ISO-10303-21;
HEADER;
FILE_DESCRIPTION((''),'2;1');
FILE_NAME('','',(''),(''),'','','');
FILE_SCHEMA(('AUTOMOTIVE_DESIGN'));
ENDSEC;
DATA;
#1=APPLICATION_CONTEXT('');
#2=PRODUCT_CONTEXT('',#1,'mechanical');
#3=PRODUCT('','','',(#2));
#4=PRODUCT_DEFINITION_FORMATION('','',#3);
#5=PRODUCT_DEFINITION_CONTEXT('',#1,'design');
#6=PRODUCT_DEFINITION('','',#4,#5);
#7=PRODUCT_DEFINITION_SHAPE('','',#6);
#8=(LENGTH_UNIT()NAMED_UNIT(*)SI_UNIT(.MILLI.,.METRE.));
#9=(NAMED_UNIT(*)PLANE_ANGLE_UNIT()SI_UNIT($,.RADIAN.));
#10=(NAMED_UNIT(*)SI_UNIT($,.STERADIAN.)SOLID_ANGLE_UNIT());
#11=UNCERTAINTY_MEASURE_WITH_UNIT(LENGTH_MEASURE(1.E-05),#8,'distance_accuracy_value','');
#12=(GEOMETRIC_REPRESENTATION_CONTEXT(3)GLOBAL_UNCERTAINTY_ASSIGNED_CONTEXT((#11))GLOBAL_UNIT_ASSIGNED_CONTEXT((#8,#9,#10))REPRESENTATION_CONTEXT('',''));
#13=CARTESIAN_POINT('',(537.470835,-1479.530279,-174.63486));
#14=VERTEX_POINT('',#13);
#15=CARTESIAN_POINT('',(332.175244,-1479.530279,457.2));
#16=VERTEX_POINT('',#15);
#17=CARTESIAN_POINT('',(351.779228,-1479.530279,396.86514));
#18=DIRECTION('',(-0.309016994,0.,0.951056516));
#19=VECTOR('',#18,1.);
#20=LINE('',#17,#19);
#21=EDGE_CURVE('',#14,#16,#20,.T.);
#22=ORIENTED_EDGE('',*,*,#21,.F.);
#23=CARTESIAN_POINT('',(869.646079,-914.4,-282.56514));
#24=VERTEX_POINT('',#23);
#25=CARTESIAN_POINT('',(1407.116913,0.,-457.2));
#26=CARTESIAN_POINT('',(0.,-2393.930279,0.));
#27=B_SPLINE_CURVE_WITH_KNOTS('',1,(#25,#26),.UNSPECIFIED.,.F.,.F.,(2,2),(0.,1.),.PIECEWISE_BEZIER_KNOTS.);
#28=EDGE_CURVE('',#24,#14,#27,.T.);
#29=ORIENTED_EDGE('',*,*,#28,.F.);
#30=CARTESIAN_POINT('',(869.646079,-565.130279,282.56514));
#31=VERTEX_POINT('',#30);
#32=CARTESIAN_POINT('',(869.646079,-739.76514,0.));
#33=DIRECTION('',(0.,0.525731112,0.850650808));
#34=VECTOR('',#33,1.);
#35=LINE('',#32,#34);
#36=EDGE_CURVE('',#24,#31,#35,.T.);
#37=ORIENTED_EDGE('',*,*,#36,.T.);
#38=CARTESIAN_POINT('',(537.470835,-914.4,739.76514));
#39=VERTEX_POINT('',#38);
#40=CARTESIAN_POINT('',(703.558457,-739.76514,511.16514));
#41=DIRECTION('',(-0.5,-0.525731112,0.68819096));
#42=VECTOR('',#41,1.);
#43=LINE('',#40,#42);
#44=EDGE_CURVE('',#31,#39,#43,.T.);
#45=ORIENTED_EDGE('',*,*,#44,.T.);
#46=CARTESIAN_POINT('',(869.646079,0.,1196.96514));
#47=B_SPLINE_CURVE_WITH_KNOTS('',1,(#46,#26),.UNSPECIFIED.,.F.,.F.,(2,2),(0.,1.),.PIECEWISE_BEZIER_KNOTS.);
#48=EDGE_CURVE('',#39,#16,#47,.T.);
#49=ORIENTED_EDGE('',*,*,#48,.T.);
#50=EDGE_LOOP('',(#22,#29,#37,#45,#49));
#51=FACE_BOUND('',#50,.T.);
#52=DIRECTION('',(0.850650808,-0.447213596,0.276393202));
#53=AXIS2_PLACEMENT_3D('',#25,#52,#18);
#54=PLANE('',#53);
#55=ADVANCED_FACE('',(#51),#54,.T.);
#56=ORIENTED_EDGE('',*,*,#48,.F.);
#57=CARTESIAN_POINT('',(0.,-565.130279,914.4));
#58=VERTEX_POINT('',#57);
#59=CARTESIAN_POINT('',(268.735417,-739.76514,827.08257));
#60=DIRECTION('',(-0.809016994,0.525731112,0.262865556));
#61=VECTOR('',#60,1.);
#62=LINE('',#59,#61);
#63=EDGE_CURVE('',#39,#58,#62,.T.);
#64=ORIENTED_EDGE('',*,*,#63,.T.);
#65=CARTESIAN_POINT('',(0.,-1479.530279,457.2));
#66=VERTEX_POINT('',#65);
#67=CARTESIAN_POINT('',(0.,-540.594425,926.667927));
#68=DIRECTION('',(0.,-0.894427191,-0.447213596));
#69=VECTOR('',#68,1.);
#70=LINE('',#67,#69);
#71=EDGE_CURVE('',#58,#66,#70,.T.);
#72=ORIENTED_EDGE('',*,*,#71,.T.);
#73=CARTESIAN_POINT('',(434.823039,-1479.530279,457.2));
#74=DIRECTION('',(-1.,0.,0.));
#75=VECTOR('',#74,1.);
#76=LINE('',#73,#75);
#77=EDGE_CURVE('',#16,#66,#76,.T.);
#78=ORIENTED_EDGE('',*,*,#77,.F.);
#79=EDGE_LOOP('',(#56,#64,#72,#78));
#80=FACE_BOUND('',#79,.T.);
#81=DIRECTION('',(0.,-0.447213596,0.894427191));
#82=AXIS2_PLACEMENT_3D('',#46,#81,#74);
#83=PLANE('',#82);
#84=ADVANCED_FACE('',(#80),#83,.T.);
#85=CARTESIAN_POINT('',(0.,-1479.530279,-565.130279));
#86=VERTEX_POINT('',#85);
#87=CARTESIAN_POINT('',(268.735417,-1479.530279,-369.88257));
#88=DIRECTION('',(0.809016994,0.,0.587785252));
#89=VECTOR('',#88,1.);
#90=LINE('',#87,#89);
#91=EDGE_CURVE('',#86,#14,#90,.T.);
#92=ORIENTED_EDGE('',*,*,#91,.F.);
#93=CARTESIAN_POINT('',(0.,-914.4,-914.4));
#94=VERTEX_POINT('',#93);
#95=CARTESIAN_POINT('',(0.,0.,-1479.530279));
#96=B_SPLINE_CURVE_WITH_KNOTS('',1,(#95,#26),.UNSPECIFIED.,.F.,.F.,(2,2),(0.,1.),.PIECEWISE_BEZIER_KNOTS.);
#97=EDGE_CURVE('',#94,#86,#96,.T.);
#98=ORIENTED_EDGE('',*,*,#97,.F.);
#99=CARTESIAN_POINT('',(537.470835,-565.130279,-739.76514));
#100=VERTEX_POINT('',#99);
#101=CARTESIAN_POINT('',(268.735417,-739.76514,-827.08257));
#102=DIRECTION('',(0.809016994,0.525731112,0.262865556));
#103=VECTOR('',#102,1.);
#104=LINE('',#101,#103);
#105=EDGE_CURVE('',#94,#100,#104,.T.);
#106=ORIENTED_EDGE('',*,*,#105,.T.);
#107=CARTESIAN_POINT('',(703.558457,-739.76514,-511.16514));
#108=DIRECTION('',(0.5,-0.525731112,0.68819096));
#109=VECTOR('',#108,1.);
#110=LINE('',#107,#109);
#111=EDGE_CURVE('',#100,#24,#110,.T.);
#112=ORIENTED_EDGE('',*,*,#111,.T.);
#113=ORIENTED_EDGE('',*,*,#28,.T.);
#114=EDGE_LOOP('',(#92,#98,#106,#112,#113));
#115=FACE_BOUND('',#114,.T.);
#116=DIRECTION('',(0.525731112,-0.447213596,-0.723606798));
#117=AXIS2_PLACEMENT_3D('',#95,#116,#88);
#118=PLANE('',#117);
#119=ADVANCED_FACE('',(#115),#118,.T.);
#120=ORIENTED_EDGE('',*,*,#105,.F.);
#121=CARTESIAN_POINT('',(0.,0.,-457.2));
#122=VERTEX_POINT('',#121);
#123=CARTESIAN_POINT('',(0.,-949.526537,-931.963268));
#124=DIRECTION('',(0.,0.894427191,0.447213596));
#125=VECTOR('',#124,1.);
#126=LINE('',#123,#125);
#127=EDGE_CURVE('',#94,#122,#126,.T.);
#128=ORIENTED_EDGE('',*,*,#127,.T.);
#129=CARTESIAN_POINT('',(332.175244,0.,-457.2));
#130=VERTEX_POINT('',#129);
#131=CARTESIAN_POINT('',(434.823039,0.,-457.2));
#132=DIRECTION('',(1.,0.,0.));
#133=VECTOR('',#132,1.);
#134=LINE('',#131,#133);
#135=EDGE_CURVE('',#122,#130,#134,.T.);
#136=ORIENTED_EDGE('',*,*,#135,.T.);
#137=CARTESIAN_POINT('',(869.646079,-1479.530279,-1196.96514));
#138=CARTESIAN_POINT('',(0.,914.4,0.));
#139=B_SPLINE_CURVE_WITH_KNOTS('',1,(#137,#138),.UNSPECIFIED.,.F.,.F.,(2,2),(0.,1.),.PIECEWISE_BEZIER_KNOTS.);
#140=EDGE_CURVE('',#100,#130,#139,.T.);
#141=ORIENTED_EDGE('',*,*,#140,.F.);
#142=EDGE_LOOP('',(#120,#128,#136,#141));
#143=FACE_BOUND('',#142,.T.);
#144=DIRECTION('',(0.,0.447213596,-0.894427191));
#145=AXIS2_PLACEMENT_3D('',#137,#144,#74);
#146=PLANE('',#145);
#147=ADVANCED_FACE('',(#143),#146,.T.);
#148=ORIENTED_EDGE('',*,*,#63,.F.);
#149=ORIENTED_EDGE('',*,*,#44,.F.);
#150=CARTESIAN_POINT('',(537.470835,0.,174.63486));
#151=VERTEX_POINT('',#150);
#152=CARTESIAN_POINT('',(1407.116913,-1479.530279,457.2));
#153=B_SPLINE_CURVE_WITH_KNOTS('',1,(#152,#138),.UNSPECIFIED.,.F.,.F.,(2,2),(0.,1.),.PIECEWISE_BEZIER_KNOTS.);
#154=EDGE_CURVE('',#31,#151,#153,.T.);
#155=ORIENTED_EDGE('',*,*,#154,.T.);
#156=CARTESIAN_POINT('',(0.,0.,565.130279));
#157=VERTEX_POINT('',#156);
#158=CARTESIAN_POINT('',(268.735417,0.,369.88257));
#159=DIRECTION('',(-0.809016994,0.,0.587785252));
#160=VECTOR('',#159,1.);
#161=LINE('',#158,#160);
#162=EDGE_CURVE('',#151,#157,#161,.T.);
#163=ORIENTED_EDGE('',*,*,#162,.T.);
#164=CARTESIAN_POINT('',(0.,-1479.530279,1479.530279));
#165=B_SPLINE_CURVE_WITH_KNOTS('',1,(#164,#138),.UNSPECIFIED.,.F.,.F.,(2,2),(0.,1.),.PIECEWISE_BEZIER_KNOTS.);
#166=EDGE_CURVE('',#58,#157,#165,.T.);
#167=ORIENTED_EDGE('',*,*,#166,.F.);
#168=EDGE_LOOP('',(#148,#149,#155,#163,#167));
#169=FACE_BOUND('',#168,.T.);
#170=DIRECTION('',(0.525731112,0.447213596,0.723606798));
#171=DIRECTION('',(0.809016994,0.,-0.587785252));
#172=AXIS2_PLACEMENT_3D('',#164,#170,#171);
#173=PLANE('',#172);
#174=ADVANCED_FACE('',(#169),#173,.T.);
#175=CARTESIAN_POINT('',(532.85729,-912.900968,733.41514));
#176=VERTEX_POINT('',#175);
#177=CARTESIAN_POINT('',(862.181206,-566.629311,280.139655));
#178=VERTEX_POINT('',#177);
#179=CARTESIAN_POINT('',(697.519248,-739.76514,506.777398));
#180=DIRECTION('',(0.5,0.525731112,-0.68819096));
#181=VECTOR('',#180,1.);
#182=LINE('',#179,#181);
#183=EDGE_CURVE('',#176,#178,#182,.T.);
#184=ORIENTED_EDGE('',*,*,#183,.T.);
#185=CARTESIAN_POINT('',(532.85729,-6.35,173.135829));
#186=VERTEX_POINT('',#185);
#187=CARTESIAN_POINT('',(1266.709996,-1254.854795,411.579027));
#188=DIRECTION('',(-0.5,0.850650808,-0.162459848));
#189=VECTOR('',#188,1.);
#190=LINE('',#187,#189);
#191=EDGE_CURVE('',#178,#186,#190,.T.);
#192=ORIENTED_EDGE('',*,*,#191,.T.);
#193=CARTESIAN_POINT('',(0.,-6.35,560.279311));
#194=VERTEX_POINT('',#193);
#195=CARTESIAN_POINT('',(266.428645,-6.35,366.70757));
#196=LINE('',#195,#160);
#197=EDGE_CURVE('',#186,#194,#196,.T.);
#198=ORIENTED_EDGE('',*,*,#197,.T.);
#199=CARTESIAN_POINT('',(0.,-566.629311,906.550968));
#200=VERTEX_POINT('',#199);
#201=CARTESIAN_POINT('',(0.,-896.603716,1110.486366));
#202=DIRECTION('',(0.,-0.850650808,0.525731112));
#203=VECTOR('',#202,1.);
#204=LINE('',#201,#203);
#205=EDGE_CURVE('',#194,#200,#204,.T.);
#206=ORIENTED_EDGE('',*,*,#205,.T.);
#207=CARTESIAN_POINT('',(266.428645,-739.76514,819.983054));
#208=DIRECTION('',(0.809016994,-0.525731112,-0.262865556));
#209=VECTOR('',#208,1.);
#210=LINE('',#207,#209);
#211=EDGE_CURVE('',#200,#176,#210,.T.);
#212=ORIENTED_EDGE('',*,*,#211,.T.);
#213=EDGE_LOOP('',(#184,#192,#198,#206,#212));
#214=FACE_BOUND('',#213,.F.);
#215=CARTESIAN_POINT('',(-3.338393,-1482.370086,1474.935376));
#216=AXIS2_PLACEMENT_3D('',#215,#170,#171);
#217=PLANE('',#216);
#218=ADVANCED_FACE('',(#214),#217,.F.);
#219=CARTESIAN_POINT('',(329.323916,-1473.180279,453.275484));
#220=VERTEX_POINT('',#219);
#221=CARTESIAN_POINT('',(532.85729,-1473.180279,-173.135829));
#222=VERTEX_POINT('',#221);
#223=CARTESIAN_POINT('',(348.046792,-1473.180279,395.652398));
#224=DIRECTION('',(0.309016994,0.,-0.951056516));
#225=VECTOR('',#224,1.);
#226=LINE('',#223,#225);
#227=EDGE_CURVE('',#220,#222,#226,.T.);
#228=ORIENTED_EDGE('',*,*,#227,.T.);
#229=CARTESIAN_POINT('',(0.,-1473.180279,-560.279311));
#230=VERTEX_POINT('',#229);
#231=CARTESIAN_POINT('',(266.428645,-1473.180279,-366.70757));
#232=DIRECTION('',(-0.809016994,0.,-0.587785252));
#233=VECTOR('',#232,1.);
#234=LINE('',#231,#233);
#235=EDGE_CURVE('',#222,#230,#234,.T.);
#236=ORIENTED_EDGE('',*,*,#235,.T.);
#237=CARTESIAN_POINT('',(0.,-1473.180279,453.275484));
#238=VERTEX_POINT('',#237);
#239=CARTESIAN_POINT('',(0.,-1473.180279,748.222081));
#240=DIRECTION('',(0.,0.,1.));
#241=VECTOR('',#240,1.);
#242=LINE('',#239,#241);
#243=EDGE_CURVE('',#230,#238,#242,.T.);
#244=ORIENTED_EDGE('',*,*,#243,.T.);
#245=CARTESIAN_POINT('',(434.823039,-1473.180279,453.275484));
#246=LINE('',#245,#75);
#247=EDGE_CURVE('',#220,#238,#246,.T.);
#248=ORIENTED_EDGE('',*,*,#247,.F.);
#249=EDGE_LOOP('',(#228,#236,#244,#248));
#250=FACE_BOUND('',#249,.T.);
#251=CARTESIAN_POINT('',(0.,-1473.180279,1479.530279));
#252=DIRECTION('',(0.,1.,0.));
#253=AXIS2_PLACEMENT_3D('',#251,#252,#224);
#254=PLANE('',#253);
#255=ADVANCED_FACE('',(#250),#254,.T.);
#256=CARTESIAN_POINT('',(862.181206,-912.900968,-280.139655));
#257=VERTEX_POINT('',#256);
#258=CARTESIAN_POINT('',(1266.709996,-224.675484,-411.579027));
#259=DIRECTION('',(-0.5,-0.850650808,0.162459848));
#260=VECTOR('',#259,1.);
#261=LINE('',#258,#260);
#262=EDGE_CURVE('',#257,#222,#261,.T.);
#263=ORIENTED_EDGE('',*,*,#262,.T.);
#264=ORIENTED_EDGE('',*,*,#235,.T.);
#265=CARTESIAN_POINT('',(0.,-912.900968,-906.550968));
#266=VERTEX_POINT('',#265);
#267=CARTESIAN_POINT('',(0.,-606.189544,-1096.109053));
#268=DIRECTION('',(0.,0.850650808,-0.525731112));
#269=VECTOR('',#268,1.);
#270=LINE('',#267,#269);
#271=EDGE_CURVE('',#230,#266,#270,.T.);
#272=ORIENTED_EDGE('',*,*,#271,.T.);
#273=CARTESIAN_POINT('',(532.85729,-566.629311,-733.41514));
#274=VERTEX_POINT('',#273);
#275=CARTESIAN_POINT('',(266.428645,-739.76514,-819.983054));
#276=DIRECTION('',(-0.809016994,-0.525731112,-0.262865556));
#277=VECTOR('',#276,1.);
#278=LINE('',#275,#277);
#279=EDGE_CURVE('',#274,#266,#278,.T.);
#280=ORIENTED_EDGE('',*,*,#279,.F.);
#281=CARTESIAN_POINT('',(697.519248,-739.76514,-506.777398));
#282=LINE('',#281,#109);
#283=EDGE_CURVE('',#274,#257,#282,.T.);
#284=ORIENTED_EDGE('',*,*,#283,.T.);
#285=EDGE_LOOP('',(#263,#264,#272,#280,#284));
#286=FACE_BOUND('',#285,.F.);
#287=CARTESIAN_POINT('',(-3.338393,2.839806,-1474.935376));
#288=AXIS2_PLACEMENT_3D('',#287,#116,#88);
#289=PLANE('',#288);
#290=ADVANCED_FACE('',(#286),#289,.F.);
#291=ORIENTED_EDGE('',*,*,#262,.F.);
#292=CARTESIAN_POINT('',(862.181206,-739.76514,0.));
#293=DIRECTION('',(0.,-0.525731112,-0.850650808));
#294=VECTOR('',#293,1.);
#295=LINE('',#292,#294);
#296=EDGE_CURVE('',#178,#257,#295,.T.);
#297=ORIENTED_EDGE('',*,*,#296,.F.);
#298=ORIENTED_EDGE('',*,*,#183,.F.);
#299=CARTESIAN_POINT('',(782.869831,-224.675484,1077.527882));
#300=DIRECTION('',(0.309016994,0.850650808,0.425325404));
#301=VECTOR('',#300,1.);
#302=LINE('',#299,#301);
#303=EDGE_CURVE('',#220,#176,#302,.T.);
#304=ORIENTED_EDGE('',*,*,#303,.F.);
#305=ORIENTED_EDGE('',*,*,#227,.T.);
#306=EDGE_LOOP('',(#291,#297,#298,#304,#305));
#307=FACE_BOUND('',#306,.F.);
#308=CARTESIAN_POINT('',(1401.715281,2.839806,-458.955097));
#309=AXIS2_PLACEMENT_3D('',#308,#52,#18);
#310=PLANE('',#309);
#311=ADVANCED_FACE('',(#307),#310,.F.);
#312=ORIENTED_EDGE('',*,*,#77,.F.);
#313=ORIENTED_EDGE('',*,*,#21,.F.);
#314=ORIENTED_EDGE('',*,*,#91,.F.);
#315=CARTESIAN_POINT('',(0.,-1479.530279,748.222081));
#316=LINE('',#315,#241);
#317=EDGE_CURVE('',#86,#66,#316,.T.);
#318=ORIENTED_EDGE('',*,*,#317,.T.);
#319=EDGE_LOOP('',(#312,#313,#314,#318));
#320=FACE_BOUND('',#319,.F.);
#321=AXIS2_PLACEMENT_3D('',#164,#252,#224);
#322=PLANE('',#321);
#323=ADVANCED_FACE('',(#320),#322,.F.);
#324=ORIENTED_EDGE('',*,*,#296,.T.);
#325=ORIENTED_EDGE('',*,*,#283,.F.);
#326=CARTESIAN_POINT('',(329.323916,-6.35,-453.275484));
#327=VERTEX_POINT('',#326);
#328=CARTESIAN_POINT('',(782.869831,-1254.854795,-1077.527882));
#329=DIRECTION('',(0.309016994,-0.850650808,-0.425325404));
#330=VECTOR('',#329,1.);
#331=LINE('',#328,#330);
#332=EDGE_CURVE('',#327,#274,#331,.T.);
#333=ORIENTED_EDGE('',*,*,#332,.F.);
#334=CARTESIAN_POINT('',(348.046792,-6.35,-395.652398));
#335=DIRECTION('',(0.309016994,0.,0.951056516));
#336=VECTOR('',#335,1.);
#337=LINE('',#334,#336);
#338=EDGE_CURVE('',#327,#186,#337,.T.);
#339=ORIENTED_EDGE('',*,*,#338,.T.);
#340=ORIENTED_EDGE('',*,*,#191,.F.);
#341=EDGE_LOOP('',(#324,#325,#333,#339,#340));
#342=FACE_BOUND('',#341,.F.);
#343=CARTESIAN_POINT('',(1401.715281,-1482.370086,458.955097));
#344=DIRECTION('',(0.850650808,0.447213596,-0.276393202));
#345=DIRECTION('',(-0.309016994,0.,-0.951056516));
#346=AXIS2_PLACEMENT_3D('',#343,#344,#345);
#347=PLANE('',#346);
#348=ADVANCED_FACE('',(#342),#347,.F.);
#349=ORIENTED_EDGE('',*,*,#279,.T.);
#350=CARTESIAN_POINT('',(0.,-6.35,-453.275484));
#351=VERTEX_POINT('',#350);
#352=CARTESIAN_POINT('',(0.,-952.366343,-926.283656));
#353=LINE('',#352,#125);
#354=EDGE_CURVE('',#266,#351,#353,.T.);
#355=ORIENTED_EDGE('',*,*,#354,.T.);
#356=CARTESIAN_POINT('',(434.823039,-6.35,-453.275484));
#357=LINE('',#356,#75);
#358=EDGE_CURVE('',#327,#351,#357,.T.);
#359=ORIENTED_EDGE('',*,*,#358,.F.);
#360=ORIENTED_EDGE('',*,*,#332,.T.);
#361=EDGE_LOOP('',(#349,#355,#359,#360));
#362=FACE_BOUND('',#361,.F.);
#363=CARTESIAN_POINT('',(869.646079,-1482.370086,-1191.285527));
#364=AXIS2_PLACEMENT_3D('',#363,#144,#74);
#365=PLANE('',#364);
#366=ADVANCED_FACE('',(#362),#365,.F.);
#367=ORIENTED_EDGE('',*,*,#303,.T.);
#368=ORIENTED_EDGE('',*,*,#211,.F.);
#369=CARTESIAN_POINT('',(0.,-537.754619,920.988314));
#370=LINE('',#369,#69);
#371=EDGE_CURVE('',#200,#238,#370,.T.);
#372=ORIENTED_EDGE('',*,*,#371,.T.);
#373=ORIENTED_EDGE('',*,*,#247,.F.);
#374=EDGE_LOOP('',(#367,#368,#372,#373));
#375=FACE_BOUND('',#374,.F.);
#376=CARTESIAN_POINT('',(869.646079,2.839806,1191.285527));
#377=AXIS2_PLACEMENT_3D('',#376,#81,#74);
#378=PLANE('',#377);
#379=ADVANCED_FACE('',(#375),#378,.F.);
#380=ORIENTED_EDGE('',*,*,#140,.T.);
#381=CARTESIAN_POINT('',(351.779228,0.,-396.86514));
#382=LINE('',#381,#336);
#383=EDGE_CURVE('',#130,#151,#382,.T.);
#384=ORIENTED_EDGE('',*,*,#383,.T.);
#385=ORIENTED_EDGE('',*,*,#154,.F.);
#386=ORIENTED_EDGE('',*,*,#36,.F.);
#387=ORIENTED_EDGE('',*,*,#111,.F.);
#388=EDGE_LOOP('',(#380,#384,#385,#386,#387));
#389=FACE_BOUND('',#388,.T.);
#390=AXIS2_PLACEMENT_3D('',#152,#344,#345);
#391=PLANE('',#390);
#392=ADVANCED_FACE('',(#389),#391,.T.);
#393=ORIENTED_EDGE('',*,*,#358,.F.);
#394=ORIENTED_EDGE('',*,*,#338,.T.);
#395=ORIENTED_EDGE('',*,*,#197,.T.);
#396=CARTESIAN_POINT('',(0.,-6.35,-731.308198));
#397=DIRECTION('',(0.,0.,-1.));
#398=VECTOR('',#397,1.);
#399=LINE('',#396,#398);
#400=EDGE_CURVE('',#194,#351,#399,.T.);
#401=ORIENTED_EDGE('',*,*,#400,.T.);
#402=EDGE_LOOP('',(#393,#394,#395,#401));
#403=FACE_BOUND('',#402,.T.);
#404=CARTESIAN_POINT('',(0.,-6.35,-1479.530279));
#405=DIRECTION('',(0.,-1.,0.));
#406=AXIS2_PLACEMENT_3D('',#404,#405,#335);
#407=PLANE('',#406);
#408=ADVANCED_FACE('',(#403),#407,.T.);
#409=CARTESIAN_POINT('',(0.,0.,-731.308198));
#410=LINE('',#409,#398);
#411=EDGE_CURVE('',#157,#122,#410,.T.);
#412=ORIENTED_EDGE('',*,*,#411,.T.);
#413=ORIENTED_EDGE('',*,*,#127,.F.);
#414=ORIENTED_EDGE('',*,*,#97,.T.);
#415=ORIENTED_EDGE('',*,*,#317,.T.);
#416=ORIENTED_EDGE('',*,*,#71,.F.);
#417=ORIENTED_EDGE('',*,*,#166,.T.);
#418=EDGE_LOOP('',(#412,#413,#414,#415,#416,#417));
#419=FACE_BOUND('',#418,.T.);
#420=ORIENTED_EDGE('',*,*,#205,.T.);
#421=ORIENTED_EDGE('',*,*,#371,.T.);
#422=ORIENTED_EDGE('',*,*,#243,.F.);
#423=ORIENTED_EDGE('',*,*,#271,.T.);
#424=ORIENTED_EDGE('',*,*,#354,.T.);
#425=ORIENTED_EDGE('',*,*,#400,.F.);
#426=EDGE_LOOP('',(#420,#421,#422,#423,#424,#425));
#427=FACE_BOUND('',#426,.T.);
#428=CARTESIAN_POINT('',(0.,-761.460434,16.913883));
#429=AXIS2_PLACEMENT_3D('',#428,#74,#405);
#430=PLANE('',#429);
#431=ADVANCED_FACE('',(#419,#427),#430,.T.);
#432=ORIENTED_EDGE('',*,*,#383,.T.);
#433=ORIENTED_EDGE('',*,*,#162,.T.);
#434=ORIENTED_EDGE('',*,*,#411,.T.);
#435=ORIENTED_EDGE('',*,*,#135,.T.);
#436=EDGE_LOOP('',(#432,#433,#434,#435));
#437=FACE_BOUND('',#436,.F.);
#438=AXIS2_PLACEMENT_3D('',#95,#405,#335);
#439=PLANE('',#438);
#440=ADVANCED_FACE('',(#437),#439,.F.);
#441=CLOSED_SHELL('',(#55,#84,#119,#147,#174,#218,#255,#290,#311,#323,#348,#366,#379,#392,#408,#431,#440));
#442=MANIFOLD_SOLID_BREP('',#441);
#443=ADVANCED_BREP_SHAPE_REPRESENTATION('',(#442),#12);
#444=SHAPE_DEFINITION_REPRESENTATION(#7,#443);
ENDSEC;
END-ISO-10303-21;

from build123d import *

# Parameters (mm, degrees)
F3_ANGLE = 180
F8_DEPTH = 869.6470786003
F9_T     = -6.35


with BuildPart() as f2:
    # F0 (on Front) → F2 section 0
    with BuildSketch(Plane.XZ, mode=Mode.PRIVATE) as f2_s0:
        Polygon((0, -1479.5302793129), (1407.1169131965, -457.2), (869.6460785003, 1196.9651396565), (-869.6460785003, 1196.9651396565), (-1258.5636280788, 0), (-1407.1169131965, -457.2), align=None)
    loft([f2_s0.sketch, Vertex(0, -2393.9302793129, 0)])


with BuildPart() as f3_1:
    # F3: copy of F2
    add(f2.part.rotate(Axis((98.339766264, -739.7651396565, 0), (1, 0, 0)), F3_ANGLE))


with BuildPart() as f2_1:
    add(f2.part)

    # F4: intersect F3_1
    add(f3_1.part, mode=Mode.INTERSECT)

    # F7 (on 3pt) → F8 (cut, through all)
    with BuildSketch(Plane(origin=(0, 0, 0), x_dir=(0, -1, 0), z_dir=(-1, 0, 0))):
        Polygon((1784.3302793129, 645.576759771), (549.4445933651, 1263.0196027449), (-304.8, 735.0674093394), (-304.8, -441.1666341224), (904.9484231668, -1278.5552855277), (1784.3302793129, -735.0674093394), align=None)
        Polygon((0, 565.1302793129), (565.1302793129, 914.4), (1479.5302793129, 457.2), (1479.5302793129, -565.1302793129), (914.4, -914.4), (0, -281.4517206871), align=None, mode=Mode.SUBTRACT)
        Polygon((1479.5302793129, 457.2), (565.1302793129, 914.4), (0, 565.1302793129), (0, -281.4517206871), (914.4, -914.4), (1479.5302793129, -565.1302793129), align=None)
    extrude(amount=F8_DEPTH, mode=Mode.SUBTRACT)

    # F9
    f9_openings = [f2_1.faces().sort_by_distance(p)[0] for p in [
        (0, -739.76514, 0),
    ]]
    offset(amount=F9_T, openings=f9_openings)


solid = f2_1.part
